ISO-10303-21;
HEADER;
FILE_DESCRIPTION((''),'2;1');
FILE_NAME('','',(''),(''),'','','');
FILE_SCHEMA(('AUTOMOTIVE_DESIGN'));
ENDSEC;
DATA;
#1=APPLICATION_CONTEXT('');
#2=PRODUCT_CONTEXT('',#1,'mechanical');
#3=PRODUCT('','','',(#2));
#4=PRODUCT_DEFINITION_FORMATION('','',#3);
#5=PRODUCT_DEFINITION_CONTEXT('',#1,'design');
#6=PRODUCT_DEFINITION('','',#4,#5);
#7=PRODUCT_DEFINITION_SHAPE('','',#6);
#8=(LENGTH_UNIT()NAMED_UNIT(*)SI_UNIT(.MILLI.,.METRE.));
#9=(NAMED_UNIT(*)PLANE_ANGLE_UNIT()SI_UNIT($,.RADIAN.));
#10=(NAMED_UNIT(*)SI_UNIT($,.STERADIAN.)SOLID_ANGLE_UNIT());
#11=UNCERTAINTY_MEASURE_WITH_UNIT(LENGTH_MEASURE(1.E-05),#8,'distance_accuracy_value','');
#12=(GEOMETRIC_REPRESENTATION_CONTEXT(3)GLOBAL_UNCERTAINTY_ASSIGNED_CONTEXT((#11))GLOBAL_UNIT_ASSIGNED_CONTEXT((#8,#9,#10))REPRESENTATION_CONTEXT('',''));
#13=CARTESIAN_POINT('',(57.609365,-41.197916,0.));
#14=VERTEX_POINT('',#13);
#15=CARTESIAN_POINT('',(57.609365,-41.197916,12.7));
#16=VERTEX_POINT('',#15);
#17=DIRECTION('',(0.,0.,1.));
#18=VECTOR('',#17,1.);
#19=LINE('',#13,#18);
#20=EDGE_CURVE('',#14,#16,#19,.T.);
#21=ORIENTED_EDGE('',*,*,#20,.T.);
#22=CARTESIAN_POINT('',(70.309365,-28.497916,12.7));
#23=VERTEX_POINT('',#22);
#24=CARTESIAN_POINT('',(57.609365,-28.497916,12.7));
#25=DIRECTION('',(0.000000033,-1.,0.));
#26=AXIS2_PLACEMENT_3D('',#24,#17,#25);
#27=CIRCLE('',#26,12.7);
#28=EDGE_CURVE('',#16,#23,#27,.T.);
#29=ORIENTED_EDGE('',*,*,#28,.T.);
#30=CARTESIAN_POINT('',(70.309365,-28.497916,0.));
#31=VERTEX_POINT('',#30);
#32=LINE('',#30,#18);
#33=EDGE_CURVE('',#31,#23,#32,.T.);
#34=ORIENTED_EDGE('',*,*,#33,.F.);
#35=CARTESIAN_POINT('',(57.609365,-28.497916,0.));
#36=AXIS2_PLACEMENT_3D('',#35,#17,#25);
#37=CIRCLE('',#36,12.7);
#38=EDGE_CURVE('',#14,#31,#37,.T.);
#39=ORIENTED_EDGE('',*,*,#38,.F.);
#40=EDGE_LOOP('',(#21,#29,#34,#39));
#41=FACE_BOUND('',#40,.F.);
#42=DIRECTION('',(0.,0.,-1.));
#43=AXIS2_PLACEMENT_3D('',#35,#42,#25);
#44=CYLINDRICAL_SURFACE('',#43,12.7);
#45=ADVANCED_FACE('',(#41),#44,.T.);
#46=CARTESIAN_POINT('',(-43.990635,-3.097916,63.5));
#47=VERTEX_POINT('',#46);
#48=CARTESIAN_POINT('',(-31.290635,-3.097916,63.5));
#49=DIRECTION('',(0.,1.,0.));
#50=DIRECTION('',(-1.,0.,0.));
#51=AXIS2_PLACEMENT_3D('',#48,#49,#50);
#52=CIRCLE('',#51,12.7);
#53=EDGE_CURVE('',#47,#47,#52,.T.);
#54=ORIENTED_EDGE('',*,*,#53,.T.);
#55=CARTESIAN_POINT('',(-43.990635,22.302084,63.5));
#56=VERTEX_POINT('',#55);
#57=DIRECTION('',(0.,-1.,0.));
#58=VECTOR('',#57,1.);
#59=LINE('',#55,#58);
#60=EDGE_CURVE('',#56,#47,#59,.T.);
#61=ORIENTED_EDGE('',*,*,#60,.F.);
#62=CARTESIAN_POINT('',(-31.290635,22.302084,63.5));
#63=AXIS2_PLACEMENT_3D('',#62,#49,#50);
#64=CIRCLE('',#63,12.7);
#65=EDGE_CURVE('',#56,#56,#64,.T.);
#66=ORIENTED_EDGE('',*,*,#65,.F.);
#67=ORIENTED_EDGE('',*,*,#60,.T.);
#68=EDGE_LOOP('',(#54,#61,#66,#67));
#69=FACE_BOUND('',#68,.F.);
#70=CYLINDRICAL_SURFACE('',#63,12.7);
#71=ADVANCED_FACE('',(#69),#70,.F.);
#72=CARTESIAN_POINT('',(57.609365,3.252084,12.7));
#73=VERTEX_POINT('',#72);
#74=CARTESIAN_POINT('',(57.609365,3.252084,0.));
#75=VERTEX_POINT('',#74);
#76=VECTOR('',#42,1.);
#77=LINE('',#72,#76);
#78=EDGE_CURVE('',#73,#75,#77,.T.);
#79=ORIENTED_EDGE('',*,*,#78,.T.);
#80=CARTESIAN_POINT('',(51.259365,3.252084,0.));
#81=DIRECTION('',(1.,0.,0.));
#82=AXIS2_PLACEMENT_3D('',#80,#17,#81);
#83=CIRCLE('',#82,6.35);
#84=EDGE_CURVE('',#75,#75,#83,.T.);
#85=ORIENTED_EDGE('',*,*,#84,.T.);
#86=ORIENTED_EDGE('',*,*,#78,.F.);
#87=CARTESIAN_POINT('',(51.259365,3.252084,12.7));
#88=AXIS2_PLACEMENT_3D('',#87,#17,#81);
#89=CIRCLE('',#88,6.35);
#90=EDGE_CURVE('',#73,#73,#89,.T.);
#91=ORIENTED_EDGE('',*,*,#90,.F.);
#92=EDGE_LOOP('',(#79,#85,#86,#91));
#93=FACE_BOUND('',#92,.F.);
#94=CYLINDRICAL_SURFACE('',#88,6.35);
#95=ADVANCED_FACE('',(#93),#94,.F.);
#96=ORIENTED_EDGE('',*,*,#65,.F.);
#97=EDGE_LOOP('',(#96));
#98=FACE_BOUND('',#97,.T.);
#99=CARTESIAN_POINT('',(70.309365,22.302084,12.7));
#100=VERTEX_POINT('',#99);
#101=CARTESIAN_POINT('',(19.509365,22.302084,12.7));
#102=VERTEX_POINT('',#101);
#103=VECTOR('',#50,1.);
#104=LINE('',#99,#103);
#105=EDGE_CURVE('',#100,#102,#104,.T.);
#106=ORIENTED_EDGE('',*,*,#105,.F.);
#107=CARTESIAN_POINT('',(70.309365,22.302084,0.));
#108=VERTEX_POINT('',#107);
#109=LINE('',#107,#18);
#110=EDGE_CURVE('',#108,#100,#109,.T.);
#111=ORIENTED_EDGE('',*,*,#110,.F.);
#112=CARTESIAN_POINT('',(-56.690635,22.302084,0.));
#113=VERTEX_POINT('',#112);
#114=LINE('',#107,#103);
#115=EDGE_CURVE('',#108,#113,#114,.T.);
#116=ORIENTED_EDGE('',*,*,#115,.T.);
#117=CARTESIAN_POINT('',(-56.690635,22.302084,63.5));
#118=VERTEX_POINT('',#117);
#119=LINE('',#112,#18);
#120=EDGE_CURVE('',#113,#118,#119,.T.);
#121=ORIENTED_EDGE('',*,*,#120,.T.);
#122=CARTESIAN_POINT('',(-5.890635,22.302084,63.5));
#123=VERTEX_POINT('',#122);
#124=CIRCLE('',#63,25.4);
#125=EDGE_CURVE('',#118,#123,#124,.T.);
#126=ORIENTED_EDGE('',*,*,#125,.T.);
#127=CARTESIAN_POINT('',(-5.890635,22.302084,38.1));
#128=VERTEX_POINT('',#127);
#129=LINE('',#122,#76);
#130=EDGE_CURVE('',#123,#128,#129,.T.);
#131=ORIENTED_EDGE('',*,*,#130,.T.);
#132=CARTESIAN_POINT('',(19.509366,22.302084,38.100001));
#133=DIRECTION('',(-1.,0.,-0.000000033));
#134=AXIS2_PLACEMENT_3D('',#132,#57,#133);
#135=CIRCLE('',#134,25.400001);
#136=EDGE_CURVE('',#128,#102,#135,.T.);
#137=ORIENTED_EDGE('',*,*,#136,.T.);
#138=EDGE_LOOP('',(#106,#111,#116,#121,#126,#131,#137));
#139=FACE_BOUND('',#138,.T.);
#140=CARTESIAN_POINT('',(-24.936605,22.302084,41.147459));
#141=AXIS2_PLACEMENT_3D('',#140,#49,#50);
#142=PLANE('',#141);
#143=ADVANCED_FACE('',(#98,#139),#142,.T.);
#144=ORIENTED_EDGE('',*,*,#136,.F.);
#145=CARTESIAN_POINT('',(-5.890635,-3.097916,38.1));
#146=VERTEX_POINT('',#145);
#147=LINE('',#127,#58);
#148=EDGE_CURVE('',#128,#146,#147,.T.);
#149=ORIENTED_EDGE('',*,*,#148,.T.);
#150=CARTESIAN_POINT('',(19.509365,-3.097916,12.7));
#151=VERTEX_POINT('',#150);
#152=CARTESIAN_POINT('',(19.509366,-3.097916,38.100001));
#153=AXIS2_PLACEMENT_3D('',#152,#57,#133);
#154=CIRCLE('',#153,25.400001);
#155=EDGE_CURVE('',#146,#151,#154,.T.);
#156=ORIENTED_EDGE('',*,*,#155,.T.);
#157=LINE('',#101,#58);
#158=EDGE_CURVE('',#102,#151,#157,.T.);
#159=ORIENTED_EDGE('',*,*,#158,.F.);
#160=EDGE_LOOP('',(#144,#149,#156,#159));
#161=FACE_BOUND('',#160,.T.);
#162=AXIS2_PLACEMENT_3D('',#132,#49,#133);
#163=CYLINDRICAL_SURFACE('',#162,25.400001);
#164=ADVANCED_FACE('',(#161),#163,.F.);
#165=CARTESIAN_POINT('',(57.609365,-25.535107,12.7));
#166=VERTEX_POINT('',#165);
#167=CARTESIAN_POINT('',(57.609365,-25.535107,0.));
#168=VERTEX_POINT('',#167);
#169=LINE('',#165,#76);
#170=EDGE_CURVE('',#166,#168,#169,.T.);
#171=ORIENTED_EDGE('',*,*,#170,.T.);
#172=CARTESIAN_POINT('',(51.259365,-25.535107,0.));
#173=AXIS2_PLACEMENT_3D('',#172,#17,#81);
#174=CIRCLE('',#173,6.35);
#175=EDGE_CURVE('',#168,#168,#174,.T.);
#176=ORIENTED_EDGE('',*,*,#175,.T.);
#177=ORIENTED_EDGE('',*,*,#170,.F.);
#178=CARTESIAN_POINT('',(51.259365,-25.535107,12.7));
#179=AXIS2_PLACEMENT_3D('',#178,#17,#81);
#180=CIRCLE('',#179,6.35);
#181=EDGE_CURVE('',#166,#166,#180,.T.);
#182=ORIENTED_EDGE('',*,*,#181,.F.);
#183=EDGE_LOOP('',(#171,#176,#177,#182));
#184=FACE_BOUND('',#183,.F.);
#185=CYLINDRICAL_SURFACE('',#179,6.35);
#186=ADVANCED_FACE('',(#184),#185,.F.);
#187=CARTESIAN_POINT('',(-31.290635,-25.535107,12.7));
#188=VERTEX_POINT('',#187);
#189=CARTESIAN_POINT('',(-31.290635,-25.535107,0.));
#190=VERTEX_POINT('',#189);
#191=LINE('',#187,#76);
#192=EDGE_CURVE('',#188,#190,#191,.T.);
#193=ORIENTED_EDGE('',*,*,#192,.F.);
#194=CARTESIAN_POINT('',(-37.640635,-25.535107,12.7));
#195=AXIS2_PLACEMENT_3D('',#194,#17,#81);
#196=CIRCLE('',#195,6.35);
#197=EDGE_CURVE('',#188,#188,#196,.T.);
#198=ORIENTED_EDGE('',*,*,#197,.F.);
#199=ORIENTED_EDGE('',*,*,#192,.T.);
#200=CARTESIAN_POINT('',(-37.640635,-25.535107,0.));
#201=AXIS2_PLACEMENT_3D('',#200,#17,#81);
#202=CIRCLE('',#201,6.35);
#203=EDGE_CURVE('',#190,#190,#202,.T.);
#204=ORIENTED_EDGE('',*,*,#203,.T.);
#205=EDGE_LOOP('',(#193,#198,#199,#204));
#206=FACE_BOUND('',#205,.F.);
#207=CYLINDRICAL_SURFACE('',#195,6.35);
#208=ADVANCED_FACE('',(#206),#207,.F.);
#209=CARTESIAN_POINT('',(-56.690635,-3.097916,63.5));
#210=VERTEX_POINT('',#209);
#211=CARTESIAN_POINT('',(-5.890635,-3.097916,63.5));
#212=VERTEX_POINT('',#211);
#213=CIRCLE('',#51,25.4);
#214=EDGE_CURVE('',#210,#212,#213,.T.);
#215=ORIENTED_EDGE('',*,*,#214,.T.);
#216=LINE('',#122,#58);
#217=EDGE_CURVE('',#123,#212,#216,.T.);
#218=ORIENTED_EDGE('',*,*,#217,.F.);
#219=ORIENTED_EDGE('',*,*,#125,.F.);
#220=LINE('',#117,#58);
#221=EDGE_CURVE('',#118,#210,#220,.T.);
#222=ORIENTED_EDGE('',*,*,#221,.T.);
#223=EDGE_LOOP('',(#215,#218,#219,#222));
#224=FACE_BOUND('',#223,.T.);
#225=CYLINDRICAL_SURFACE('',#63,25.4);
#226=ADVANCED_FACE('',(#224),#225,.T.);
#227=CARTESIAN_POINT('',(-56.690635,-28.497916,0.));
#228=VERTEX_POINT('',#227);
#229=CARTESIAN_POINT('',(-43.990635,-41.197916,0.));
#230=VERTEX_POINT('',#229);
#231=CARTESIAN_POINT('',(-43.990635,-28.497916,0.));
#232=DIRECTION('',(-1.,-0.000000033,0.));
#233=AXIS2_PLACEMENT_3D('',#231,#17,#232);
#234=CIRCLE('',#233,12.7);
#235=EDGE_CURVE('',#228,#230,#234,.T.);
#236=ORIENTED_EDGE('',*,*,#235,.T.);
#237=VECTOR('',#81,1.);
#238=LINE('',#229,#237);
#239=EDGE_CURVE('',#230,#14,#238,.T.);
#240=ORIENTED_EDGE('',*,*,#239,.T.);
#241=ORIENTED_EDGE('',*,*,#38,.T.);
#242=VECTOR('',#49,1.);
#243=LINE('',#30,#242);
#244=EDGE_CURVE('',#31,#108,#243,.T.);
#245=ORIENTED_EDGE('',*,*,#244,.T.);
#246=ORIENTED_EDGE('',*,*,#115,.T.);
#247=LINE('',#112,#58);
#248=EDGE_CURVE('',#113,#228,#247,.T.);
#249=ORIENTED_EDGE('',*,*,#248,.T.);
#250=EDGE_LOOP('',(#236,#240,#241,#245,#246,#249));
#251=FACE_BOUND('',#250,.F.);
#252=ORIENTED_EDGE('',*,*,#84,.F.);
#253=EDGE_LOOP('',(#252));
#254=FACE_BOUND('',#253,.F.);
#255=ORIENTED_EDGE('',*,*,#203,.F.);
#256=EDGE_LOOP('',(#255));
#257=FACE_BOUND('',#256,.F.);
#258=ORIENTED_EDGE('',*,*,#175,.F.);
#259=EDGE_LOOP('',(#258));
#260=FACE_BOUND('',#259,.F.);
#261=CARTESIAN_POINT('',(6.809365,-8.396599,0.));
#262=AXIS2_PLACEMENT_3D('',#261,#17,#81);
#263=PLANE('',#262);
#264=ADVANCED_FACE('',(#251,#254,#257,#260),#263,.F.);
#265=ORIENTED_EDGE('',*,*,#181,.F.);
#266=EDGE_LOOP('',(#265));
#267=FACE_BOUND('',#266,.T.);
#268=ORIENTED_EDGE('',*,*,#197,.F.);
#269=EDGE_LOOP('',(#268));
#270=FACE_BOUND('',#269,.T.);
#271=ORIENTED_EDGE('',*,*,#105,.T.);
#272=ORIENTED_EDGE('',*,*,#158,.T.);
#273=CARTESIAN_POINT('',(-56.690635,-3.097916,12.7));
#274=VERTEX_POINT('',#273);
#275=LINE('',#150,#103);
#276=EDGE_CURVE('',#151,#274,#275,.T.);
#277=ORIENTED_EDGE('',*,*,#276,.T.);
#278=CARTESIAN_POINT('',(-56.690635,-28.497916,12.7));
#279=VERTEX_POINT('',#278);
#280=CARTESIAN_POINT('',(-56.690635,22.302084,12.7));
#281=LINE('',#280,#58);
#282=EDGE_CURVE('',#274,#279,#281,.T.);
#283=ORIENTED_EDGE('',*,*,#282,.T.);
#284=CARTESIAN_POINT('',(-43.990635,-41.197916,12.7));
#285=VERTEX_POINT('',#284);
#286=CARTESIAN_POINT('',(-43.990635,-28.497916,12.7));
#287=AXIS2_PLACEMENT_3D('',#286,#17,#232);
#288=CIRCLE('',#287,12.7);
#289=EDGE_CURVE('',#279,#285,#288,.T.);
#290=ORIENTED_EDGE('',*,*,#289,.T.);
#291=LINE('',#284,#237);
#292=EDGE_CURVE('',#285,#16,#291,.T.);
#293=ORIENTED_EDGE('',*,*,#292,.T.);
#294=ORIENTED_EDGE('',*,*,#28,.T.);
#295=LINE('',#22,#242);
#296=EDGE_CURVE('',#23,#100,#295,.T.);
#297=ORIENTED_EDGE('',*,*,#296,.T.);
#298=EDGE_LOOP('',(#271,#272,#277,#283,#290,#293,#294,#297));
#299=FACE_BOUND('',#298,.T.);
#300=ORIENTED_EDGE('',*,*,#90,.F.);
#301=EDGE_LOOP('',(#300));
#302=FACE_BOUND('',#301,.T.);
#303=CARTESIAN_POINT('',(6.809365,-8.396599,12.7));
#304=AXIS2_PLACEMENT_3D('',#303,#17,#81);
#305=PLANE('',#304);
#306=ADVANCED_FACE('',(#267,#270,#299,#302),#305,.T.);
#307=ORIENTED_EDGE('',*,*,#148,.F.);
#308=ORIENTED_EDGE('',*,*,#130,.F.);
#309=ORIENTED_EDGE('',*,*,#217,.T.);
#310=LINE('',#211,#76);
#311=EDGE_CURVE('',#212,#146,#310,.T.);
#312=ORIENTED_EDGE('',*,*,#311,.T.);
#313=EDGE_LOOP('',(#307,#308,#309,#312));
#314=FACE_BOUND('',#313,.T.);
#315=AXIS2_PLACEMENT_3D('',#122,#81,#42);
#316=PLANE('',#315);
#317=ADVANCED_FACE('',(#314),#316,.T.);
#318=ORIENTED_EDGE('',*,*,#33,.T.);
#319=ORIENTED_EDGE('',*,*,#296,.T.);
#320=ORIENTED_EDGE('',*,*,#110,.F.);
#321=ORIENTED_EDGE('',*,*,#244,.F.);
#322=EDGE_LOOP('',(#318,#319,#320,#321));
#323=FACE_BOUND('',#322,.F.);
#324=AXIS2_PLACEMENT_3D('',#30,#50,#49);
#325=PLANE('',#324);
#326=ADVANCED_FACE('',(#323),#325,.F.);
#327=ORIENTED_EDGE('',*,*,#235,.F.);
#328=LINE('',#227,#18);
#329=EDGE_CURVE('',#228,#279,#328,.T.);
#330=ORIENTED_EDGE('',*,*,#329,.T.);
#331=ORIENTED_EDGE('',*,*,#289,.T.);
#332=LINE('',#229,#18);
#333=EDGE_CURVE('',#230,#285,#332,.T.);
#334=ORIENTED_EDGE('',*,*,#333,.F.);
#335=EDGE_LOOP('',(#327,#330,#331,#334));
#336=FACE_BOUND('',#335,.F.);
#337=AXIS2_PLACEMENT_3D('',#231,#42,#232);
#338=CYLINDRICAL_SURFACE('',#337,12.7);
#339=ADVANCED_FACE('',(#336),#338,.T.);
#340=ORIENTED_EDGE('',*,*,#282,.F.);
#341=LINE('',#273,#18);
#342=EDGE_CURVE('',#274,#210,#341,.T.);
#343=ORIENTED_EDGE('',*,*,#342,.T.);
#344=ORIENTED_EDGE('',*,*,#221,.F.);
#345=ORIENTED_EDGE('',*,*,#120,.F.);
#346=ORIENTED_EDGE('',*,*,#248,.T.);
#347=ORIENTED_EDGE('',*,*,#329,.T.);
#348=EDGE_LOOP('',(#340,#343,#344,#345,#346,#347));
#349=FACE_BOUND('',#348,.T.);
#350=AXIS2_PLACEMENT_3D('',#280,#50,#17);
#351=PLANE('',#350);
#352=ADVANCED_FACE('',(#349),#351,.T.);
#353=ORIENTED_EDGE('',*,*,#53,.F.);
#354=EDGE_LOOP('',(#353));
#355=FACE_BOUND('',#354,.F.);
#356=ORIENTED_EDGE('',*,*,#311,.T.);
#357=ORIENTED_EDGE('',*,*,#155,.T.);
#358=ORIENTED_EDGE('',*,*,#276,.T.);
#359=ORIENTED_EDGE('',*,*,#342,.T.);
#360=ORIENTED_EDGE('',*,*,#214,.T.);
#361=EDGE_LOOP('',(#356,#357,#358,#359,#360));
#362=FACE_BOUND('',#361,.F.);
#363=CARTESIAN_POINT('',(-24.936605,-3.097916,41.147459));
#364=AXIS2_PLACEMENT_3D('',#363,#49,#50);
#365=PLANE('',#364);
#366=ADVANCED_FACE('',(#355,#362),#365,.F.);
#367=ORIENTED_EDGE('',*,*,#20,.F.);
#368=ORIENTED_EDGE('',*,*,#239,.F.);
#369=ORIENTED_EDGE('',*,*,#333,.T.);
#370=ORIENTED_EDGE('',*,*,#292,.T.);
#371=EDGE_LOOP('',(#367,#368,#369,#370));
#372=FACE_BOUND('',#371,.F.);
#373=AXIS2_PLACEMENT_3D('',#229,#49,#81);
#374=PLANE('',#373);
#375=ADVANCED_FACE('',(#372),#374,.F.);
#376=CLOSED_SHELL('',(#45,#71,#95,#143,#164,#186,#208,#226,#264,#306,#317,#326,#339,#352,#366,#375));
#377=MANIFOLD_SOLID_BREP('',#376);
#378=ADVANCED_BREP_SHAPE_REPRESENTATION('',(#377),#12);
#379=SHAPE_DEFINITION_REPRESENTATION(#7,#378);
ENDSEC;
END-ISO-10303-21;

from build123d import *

# Parameters (mm, degrees)
F1_DEPTH = 12.7
F2_R     = 6.35
F3_DEPTH = 12.7
F4_R     = 12.7
F5_DEPTH = 25.4


with BuildPart() as f1:
    # F0 (on Top) → F1 (new body)
    with BuildSketch(Plane.XY):
        with BuildLine():
            ThreePointArc((-56.690635, -28.497916), (-52.970891, -37.478172), (-43.990635, -41.197916))
            Line((-43.990635, -41.197916), (57.609365, -41.197916))
            ThreePointArc((57.609365, -41.197916), (66.589621, -37.478172), (70.309365, -28.497916))
            Line((70.309365, -28.497916), (70.309365, 22.302084))
            Line((70.309365, 22.302084), (-56.690635, 22.302084))
            Line((-56.690635, 22.302084), (-56.690635, -28.497916))
        make_face()
    extrude(amount=F1_DEPTH)

    # F2 (on face) → F3 (cut)
    with BuildSketch(Plane.XY.offset(12.7)):
        with Locations((-37.640635, -25.535107)):
            Circle(F2_R)
        with Locations((51.259365, -25.535107)):
            Circle(F2_R)
        with Locations((51.259365, 3.252084)):
            Circle(F2_R)
    extrude(amount=-F3_DEPTH, mode=Mode.SUBTRACT)

    # F4 (on face) → F5 (join)
    with BuildSketch(Plane(origin=(0, 22.302084, 0), x_dir=(-1, 0, 0), z_dir=(0, 1, 0))):
        with BuildLine():
            Line((5.890635, 63.5), (5.890635, 38.1))
            ThreePointArc((5.890635, 38.1), (-1.548853, 20.139488), (-19.509365, 12.7))
            Line((-19.509365, 12.7), (56.690635, 12.7))
            Line((56.690635, 12.7), (56.690635, 63.5))
            ThreePointArc((56.690635, 63.5), (31.290635, 88.9), (5.890635, 63.5))
        make_face()
        with Locations((31.290635, 63.5)):
            Circle(F4_R, mode=Mode.SUBTRACT)
    extrude(amount=-F5_DEPTH)


solid = f1.part
